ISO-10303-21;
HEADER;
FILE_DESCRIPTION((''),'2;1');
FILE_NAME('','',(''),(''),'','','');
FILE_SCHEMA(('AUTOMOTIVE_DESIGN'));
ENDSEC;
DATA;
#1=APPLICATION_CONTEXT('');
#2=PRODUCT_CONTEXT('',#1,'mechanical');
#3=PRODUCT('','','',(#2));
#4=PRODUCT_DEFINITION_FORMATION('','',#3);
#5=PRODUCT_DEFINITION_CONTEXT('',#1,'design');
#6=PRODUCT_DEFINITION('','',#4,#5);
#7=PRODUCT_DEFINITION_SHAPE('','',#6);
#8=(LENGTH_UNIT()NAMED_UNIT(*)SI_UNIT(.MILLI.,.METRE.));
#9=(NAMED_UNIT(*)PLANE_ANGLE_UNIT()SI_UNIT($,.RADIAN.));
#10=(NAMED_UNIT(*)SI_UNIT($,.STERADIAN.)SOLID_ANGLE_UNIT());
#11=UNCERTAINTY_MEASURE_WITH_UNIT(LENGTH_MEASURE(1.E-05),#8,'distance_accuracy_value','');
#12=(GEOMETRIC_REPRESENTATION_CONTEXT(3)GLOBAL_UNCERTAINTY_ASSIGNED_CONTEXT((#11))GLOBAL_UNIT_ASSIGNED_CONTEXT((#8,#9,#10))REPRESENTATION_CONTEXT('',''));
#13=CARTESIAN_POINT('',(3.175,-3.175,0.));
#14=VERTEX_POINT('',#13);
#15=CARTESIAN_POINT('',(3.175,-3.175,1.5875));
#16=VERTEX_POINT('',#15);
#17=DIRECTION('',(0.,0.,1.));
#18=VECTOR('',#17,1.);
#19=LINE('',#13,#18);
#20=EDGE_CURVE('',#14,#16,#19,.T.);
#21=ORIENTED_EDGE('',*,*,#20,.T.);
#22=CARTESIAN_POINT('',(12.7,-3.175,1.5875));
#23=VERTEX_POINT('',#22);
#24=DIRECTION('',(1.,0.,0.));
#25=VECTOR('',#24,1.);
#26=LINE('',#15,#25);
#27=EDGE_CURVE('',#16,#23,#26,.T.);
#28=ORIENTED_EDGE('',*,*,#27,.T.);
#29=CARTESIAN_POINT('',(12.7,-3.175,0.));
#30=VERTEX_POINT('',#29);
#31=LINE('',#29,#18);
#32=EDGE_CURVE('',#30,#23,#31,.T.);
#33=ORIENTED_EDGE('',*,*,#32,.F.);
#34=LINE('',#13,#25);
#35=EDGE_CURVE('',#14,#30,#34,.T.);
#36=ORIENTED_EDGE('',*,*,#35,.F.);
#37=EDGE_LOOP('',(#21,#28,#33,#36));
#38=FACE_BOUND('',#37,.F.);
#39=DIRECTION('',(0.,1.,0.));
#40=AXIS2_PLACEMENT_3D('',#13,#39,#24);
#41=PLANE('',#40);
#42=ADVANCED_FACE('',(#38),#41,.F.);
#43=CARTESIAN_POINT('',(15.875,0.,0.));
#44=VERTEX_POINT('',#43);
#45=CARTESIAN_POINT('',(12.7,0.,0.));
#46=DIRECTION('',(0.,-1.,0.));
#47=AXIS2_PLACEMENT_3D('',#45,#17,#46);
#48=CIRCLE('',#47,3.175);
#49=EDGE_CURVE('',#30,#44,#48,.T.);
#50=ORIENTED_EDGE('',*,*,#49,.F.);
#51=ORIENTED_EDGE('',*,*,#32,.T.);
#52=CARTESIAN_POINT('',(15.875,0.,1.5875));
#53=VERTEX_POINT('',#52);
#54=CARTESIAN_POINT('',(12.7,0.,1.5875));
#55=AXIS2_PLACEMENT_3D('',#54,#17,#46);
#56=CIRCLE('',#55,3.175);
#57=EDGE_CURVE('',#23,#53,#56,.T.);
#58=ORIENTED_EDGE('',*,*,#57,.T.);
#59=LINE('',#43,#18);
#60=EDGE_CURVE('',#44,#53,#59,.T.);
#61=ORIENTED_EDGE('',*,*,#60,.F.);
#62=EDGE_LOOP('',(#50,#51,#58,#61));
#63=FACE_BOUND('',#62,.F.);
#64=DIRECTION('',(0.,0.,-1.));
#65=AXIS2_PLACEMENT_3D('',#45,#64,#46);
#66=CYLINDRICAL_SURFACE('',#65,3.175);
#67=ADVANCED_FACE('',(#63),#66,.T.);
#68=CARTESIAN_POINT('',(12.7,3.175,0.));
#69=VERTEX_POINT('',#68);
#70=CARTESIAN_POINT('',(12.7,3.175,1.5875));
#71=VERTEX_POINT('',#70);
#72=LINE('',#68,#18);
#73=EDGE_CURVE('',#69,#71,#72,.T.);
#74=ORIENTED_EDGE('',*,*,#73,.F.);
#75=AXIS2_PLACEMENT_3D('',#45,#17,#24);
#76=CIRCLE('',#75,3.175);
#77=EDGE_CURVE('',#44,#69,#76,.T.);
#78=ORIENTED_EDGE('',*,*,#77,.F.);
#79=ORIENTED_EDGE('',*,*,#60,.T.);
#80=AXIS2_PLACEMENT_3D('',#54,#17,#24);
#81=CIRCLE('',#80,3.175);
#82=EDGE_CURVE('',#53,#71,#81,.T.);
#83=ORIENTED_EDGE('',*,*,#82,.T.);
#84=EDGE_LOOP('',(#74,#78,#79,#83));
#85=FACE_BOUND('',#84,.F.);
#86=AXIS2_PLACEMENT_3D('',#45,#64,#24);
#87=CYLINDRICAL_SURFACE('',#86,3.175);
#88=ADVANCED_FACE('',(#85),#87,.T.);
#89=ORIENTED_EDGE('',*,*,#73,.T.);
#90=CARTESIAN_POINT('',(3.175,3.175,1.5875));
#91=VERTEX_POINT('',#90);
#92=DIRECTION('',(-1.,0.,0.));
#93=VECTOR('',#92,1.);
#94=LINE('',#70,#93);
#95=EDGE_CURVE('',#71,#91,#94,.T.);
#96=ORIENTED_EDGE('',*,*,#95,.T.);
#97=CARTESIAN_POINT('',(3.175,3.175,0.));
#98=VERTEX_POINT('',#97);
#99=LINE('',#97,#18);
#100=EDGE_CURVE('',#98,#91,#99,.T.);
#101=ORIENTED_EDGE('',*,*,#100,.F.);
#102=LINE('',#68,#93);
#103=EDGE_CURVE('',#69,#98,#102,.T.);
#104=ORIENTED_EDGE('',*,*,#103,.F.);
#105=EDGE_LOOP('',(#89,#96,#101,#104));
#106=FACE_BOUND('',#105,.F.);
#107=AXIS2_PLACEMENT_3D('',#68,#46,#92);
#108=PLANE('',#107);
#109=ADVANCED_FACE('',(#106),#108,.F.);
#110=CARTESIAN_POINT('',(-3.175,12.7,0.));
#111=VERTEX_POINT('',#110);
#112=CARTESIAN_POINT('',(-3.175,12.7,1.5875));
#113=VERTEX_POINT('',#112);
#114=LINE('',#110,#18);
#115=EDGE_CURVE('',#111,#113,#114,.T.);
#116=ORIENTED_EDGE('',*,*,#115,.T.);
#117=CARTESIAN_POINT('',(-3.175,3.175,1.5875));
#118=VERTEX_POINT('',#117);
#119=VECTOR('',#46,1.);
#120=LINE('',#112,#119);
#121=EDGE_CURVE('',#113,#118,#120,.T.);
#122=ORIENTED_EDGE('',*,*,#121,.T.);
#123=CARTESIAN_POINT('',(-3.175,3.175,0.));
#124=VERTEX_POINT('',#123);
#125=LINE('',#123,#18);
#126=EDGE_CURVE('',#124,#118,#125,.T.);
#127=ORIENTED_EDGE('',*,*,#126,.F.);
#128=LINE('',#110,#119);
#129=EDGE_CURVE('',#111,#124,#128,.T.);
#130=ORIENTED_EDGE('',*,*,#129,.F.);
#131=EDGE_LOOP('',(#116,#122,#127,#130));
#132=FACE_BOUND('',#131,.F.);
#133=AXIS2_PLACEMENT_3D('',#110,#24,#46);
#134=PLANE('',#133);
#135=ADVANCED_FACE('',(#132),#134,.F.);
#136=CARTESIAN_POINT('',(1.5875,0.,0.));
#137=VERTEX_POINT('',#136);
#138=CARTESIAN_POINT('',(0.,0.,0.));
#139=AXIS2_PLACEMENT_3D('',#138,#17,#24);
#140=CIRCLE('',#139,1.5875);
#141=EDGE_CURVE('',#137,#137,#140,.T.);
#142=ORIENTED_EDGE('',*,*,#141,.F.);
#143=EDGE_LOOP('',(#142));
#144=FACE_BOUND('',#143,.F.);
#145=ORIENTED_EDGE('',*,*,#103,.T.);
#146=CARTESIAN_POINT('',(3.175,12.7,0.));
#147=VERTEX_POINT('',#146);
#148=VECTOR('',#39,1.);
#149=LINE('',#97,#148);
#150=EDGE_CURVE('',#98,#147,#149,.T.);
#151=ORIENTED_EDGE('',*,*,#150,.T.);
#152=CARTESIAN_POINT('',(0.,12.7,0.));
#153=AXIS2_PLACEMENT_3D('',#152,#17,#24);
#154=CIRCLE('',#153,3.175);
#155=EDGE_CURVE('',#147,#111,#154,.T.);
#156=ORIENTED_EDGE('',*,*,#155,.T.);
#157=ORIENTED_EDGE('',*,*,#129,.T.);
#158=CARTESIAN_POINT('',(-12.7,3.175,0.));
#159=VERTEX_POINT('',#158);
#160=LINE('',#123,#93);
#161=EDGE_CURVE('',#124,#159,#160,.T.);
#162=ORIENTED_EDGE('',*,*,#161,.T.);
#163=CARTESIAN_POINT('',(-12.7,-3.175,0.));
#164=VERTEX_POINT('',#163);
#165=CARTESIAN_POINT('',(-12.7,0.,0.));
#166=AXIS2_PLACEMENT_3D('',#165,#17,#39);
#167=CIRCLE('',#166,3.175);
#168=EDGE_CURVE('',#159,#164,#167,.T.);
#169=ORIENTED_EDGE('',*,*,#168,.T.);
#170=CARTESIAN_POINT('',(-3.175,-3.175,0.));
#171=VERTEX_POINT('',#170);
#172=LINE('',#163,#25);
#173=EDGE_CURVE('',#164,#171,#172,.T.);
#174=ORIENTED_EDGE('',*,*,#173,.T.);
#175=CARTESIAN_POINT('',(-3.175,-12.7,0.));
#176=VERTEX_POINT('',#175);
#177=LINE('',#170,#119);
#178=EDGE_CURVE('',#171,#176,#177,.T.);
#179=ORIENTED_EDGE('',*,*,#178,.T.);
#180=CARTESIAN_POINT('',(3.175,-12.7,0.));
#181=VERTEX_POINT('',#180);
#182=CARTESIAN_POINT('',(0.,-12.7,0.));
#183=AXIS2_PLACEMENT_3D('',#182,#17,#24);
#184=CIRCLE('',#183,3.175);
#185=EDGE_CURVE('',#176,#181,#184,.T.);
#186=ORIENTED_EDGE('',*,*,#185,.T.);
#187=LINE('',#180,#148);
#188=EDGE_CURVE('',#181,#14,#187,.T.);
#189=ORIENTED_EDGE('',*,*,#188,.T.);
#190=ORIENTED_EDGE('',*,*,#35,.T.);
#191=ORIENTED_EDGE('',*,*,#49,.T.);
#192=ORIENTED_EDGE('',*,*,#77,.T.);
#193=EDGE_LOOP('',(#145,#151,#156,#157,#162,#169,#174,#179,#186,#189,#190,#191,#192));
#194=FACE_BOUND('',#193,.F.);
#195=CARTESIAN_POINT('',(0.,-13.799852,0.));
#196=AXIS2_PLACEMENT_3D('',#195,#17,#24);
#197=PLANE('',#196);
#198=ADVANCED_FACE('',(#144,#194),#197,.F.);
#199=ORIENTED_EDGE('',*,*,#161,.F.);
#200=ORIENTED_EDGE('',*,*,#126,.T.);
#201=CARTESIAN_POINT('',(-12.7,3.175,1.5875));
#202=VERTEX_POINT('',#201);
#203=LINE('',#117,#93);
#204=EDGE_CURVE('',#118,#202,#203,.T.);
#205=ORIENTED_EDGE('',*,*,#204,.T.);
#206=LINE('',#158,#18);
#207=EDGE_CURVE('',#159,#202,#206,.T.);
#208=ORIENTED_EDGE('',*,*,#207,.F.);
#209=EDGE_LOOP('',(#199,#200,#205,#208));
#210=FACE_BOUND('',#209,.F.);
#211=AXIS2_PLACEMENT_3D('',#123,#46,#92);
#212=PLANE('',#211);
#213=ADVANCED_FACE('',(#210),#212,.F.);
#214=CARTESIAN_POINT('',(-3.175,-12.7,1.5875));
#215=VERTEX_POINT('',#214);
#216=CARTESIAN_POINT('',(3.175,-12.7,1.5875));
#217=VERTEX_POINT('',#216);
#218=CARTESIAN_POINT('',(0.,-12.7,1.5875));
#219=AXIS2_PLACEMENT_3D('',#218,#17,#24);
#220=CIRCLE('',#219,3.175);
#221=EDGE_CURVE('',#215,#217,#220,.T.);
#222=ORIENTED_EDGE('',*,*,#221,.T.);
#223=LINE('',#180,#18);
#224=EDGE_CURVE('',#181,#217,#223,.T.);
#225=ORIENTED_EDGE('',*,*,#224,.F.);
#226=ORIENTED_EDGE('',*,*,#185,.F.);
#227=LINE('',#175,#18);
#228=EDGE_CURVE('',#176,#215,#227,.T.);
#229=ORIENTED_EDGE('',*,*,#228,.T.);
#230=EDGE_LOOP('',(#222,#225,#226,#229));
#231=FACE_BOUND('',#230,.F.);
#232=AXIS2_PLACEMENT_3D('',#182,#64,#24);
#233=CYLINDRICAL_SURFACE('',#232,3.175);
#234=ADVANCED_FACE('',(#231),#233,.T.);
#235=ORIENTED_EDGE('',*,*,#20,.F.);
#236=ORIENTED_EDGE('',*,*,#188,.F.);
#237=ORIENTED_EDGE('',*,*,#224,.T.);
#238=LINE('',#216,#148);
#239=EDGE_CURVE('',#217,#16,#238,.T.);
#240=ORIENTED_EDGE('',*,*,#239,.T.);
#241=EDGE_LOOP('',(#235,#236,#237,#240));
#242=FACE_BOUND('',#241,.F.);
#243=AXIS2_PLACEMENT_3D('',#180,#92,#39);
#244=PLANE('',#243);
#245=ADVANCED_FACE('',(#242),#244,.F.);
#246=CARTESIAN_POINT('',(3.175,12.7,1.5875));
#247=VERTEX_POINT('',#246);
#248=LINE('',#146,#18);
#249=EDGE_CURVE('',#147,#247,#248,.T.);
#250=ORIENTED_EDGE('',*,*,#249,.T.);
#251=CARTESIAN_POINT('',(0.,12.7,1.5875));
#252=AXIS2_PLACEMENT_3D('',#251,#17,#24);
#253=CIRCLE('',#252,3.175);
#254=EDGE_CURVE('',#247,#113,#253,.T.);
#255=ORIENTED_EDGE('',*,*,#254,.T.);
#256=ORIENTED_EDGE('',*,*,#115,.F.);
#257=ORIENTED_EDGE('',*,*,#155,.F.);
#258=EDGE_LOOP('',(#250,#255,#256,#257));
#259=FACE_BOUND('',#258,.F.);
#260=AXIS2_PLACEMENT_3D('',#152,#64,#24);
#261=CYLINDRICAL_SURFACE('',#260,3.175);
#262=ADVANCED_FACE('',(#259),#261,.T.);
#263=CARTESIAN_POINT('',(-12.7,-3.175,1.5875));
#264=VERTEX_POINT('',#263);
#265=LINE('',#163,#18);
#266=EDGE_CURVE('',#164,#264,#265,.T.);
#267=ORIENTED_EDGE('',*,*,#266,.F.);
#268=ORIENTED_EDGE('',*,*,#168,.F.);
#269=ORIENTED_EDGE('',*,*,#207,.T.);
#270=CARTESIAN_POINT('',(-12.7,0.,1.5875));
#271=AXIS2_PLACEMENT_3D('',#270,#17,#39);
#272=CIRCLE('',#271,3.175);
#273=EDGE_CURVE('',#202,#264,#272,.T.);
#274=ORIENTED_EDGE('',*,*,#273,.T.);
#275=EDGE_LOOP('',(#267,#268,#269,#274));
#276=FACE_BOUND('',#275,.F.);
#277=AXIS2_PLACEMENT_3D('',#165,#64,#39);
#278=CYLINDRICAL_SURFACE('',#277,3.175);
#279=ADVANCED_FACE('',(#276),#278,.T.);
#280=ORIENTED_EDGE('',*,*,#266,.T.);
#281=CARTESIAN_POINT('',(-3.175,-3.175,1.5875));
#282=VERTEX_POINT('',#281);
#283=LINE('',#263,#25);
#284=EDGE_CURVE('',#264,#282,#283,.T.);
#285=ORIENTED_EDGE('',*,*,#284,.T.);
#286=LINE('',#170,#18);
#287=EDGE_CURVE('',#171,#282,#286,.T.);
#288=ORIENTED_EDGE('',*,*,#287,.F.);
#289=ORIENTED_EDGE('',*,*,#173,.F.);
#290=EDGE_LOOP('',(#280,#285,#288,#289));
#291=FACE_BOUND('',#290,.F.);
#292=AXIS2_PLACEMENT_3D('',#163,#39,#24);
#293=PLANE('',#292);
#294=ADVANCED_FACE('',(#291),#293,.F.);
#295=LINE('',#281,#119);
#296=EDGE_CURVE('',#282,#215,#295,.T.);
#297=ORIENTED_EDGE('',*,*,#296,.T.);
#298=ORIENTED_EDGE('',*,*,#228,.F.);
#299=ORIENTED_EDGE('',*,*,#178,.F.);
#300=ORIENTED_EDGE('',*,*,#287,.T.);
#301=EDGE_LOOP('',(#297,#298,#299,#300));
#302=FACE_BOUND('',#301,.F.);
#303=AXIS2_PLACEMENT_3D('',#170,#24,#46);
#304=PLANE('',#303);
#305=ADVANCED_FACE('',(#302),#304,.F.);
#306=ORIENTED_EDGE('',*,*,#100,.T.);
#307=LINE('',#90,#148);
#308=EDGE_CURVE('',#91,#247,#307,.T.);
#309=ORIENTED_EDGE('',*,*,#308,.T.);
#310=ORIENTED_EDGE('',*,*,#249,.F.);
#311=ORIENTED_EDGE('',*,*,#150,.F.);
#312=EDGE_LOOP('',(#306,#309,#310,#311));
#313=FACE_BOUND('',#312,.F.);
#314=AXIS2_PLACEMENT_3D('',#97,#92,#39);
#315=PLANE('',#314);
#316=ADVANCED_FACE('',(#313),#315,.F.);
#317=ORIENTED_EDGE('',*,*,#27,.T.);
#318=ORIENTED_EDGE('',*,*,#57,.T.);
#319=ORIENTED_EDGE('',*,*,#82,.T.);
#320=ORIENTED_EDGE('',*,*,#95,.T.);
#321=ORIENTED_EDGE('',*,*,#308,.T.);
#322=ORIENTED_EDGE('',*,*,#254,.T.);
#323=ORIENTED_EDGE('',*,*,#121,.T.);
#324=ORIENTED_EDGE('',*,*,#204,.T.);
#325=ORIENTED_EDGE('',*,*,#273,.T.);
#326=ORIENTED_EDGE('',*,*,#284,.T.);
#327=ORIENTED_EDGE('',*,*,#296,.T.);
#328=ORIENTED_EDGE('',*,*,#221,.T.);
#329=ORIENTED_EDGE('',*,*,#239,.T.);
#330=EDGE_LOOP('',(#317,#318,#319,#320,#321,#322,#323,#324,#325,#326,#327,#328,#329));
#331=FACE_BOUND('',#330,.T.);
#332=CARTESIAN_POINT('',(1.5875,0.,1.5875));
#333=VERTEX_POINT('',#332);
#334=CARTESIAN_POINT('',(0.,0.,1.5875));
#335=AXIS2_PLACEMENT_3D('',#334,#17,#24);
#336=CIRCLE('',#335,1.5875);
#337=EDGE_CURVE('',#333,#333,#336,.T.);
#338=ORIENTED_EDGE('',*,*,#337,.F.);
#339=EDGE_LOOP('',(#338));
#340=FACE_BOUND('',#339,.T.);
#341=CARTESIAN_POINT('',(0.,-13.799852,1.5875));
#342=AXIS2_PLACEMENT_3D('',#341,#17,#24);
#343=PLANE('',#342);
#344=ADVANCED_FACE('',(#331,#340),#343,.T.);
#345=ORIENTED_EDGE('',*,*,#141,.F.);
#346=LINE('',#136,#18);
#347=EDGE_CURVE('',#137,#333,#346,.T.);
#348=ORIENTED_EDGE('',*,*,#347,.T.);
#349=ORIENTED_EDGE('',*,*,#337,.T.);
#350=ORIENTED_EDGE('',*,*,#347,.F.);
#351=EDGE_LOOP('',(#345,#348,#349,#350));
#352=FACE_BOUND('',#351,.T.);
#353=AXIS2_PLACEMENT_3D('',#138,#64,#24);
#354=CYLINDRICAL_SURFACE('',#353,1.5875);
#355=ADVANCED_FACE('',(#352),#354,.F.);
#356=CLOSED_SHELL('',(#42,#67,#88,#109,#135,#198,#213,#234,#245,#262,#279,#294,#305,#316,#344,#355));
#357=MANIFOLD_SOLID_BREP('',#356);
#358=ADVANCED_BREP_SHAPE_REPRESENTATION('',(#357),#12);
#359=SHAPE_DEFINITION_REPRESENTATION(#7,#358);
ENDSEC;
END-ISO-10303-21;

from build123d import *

# Parameters (mm, degrees)
F0_W     = 6.35
F0_H     = 6.35
F0_R     = 1.5875
F1_DEPTH = 1.5875


with BuildPart() as f1:
    # F0 (on Top) → F1 (new body)
    with BuildSketch(Plane.XY):
        with BuildLine():
            ThreePointArc((-3.175, -12.7), (0, -15.875), (3.175, -12.7))
            Line((3.175, -12.7), (-3.175, -12.7))
        make_face()
        with BuildLine():
            Line((-3.175, -12.7), (3.175, -12.7))
            ThreePointArc((3.175, -12.7), (0, -9.525), (-3.175, -12.7))
        make_face()
        with BuildLine():
            ThreePointArc((-3.175, -12.7), (0, -9.525), (3.175, -12.7))
            Line((3.175, -12.7), (3.175, -3.175))
            Line((3.175, -3.175), (-3.175, -3.175))
            Line((-3.175, -3.175), (-3.175, -12.7))
        make_face()
        with BuildLine():
            Line((-12.7, -3.175), (-3.175, -3.175))
            Line((-3.175, -3.175), (-3.175, 3.175))
            Line((-3.175, 3.175), (-12.7, 3.175))
            ThreePointArc((-12.7, 3.175), (-10.4549359697, 2.2450640303), (-9.525, 0))
            ThreePointArc((-9.525, 0), (-10.4549359697, -2.2450640303), (-12.7, -3.175))
        make_face()
        with BuildLine():
            Line((3.175, 3.175), (3.175, -3.175))
            Line((3.175, -3.175), (12.7, -3.175))
            ThreePointArc((12.7, -3.175), (9.525, 0), (12.7, 3.175))
            Line((12.7, 3.175), (3.175, 3.175))
        make_face()
        with BuildLine():
            Line((-3.175, 3.175), (3.175, 3.175))
            Line((3.175, 3.175), (3.175, 12.7))
            ThreePointArc((3.175, 12.7), (0, 9.525), (-3.175, 12.7))
            Line((-3.175, 12.7), (-3.175, 3.175))
        make_face()
        Rectangle(F0_W, F0_H)
        Circle(F0_R, mode=Mode.SUBTRACT)
        with BuildLine():
            ThreePointArc((-12.7, 3.175), (-15.875, 0), (-12.7, -3.175))
            Line((-12.7, -3.175), (-12.7, 3.175))
        make_face()
        with BuildLine():
            Line((-12.7, 3.175), (-12.7, -3.175))
            ThreePointArc((-12.7, -3.175), (-10.4549359697, -2.2450640303), (-9.525, 0))
            ThreePointArc((-9.525, 0), (-10.4549359697, 2.2450640303), (-12.7, 3.175))
        make_face()
        with BuildLine():
            ThreePointArc((-3.175, 12.7), (0, 9.525), (3.175, 12.7))
            Line((3.175, 12.7), (-3.175, 12.7))
        make_face()
        with BuildLine():
            Line((-3.175, 12.7), (3.175, 12.7))
            ThreePointArc((3.175, 12.7), (0, 15.875), (-3.175, 12.7))
        make_face()
        with BuildLine():
            Line((12.7, 3.175), (12.7, -3.175))
            ThreePointArc((12.7, -3.175), (14.9450640303, -2.2450640303), (15.875, 0))
            ThreePointArc((15.875, 0), (14.9450640303, 2.2450640303), (12.7, 3.175))
        make_face()
        with BuildLine():
            ThreePointArc((12.7, 3.175), (9.525, 0), (12.7, -3.175))
            Line((12.7, -3.175), (12.7, 3.175))
        make_face()
    extrude(amount=F1_DEPTH)


solid = f1.part
